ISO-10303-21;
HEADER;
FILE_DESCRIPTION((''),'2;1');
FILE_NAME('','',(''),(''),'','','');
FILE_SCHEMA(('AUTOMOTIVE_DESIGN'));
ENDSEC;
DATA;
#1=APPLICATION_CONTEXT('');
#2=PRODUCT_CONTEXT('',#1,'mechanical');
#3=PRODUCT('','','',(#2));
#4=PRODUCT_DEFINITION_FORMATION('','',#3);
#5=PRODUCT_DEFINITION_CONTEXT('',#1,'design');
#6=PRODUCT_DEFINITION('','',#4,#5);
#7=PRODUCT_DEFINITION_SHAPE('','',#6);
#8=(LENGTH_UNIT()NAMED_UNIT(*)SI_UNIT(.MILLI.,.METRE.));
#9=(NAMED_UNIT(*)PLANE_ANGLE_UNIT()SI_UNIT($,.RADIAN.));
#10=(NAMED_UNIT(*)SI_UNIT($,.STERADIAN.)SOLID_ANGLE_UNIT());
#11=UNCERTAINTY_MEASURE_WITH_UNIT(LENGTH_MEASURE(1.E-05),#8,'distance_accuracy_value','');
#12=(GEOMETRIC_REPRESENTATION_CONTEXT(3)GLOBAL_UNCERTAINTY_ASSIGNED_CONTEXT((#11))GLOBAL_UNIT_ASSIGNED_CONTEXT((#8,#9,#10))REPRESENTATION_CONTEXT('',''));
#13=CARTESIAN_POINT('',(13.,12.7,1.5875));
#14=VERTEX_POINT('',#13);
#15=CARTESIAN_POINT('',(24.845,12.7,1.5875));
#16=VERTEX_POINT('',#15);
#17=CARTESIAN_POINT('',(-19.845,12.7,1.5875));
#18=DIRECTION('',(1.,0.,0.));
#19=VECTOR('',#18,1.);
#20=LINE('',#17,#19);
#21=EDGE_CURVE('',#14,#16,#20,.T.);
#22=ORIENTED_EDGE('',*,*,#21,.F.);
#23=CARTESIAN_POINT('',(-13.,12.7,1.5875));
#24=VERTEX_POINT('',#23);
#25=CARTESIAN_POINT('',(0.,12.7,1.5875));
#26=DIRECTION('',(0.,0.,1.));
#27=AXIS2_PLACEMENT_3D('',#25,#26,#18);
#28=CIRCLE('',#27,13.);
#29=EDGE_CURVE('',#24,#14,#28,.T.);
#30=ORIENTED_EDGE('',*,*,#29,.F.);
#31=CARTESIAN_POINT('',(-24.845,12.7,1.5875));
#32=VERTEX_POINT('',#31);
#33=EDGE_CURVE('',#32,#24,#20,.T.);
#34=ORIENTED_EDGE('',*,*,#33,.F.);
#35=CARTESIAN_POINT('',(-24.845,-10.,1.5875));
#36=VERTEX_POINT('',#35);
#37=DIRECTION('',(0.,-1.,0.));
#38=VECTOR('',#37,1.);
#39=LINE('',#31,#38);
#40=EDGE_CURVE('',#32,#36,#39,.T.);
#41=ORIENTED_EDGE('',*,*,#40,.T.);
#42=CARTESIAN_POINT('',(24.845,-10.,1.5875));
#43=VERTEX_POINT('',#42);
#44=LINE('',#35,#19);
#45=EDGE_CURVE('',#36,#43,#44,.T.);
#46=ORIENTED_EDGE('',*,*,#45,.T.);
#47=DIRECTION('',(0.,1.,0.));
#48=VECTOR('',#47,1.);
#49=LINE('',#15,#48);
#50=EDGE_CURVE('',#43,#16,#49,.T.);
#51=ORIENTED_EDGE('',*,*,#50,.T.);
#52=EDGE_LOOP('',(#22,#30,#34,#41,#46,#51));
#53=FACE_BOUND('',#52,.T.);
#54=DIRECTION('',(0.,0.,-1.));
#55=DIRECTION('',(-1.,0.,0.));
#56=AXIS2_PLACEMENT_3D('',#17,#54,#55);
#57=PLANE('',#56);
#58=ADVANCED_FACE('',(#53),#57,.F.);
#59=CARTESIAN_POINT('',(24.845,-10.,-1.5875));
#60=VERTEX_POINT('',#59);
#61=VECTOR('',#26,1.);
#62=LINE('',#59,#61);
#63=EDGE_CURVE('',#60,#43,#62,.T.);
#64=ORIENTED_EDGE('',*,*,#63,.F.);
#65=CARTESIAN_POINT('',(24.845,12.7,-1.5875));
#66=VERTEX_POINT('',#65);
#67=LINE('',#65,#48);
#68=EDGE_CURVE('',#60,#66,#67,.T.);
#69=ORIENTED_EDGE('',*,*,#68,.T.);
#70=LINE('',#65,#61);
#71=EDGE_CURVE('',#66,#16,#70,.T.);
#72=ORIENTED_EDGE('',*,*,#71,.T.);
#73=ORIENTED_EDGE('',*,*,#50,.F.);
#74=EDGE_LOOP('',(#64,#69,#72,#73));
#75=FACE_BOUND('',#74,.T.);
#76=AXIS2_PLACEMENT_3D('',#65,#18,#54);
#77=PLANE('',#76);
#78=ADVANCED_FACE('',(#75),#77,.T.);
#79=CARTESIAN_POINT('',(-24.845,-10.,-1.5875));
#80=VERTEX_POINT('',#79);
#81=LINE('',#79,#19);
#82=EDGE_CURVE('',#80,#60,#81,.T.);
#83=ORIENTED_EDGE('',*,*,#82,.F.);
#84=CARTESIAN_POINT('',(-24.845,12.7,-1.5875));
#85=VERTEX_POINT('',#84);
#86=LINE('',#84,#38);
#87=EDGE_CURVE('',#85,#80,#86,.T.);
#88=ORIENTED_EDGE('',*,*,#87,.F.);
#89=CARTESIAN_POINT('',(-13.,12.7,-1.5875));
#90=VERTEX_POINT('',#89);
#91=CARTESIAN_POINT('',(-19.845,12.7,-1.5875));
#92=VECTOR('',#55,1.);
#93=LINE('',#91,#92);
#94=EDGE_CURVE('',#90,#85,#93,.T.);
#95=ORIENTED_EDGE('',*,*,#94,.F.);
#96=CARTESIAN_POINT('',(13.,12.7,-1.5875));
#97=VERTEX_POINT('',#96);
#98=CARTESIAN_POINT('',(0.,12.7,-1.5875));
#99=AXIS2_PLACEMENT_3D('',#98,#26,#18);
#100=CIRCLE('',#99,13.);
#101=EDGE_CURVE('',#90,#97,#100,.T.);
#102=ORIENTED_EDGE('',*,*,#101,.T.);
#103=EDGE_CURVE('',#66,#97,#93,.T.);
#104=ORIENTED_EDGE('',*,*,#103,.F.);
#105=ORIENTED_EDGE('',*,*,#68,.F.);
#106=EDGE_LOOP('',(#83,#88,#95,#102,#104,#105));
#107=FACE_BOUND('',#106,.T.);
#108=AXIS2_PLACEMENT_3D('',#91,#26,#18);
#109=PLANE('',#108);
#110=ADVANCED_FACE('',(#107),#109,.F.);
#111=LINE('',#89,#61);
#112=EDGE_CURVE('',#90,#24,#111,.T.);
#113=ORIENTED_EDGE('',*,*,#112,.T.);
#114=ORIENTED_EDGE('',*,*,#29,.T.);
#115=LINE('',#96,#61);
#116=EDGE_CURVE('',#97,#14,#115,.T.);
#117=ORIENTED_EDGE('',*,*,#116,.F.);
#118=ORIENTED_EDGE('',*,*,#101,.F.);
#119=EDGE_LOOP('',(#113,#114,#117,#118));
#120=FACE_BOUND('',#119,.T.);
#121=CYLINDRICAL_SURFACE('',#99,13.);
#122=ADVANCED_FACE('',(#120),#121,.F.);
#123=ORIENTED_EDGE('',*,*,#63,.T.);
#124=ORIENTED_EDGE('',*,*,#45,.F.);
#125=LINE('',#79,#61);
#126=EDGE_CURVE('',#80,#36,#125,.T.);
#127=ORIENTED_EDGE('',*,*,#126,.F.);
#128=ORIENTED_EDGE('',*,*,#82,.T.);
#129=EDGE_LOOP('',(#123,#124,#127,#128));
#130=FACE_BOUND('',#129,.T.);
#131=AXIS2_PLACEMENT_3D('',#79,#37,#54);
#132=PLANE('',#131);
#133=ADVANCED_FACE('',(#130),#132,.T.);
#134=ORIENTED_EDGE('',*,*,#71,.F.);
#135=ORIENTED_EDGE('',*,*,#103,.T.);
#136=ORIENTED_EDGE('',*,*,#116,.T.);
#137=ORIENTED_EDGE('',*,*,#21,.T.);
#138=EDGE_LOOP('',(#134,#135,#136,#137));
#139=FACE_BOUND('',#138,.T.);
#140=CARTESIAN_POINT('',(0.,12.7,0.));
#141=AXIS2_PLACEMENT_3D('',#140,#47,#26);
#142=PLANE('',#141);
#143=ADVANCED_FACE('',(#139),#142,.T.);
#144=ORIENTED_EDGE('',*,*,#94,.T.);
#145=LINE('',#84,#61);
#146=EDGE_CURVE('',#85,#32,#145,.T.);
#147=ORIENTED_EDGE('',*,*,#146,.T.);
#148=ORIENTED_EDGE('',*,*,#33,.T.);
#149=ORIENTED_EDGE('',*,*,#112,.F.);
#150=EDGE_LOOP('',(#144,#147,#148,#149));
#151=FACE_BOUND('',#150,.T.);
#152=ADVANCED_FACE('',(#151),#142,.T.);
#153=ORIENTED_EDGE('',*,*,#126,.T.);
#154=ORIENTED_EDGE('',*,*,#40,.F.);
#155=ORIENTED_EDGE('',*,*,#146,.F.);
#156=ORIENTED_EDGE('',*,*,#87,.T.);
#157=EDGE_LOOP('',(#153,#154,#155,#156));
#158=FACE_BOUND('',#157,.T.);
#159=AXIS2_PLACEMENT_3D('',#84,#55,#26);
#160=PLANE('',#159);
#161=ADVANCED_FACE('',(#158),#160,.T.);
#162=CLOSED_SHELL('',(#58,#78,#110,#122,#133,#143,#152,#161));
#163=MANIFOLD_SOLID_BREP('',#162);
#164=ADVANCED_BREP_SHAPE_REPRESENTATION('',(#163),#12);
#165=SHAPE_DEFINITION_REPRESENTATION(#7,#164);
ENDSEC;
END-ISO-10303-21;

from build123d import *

# Parameters (mm, degrees)
SKETCH1_W                = 39.69
SKETCH1_H                = 3.175
BOSS_EXTRUDE2_DEPTH      = 12.7
CUT_EXTRUDE1_DEPTH       = 12.7
BOSS_EXTRUDE3_DEPTH      = 1.5875
BOSS_EXTRUDE3_DEPTH_BACK = 1.5875
SKETCH5_W                = 5
SKETCH5_H                = 12.7
SKETCH6_W                = 49.69
SKETCH6_H                = 5
BOSS_EXTRUDE4_DEPTH      = 3.175
CUT_EXTRUDE2_DEPTH       = 3.175
SKETCH8_W                = 49.69
SKETCH8_H                = 5
BOSS_EXTRUDE5_DEPTH      = 3.175


with BuildPart() as part:
    # Sketch1 → Boss-Extrude2 (new body)
    with BuildSketch(Plane(origin=(0, 0, 0), x_dir=(1, 0, 0), z_dir=(0, 1, 0))):
        Rectangle(SKETCH1_W, SKETCH1_H)
    extrude(amount=BOSS_EXTRUDE2_DEPTH)

    # Sketch3 → Cut-Extrude1 (cut)
    with BuildSketch(Plane.XY.offset(1.5875)):
        with BuildLine():
            Line((-11, 12.7), (11, 12.7))
            ThreePointArc((11, 12.7), (0, 1.7), (-11, 12.7))
        make_face()
    extrude(amount=-CUT_EXTRUDE1_DEPTH, mode=Mode.SUBTRACT)

    # Sketch5 → Boss-Extrude3 (add, two sides: drawn at the far end of the back side and taken through both)
    with BuildSketch(Plane.XY.offset(-BOSS_EXTRUDE3_DEPTH_BACK)):
        with Locations((22.345, 6.35)):
            Rectangle(SKETCH5_W, SKETCH5_H)
        with Locations((-22.345, 6.35)):
            Rectangle(SKETCH5_W, SKETCH5_H)
    extrude(amount=BOSS_EXTRUDE3_DEPTH + BOSS_EXTRUDE3_DEPTH_BACK)

    # Sketch6 → Boss-Extrude4 (add)
    with BuildSketch(Plane.XY.offset(1.5875)):
        with Locations((0, -2.5)):
            Rectangle(SKETCH6_W, SKETCH6_H)
    extrude(amount=-BOSS_EXTRUDE4_DEPTH)

    # Sketch7 → Cut-Extrude2 (cut)
    with BuildSketch(Plane.XY.offset(1.5875)):
        with BuildLine():
            ThreePointArc((11, 12.7), (0, 1.7), (-11, 12.7))
            Line((-11, 12.7), (-13, 12.7))
            ThreePointArc((-13, 12.7), (0, -0.3), (13, 12.7))
            Line((13, 12.7), (11, 12.7))
        make_face()
    extrude(amount=-CUT_EXTRUDE2_DEPTH, mode=Mode.SUBTRACT)

    # Sketch8 → Boss-Extrude5 (add)
    with BuildSketch(Plane.XY.offset(1.5875)):
        with Locations((0, -7.5)):
            Rectangle(SKETCH8_W, SKETCH8_H)
    extrude(amount=-BOSS_EXTRUDE5_DEPTH)


solid = part.part
